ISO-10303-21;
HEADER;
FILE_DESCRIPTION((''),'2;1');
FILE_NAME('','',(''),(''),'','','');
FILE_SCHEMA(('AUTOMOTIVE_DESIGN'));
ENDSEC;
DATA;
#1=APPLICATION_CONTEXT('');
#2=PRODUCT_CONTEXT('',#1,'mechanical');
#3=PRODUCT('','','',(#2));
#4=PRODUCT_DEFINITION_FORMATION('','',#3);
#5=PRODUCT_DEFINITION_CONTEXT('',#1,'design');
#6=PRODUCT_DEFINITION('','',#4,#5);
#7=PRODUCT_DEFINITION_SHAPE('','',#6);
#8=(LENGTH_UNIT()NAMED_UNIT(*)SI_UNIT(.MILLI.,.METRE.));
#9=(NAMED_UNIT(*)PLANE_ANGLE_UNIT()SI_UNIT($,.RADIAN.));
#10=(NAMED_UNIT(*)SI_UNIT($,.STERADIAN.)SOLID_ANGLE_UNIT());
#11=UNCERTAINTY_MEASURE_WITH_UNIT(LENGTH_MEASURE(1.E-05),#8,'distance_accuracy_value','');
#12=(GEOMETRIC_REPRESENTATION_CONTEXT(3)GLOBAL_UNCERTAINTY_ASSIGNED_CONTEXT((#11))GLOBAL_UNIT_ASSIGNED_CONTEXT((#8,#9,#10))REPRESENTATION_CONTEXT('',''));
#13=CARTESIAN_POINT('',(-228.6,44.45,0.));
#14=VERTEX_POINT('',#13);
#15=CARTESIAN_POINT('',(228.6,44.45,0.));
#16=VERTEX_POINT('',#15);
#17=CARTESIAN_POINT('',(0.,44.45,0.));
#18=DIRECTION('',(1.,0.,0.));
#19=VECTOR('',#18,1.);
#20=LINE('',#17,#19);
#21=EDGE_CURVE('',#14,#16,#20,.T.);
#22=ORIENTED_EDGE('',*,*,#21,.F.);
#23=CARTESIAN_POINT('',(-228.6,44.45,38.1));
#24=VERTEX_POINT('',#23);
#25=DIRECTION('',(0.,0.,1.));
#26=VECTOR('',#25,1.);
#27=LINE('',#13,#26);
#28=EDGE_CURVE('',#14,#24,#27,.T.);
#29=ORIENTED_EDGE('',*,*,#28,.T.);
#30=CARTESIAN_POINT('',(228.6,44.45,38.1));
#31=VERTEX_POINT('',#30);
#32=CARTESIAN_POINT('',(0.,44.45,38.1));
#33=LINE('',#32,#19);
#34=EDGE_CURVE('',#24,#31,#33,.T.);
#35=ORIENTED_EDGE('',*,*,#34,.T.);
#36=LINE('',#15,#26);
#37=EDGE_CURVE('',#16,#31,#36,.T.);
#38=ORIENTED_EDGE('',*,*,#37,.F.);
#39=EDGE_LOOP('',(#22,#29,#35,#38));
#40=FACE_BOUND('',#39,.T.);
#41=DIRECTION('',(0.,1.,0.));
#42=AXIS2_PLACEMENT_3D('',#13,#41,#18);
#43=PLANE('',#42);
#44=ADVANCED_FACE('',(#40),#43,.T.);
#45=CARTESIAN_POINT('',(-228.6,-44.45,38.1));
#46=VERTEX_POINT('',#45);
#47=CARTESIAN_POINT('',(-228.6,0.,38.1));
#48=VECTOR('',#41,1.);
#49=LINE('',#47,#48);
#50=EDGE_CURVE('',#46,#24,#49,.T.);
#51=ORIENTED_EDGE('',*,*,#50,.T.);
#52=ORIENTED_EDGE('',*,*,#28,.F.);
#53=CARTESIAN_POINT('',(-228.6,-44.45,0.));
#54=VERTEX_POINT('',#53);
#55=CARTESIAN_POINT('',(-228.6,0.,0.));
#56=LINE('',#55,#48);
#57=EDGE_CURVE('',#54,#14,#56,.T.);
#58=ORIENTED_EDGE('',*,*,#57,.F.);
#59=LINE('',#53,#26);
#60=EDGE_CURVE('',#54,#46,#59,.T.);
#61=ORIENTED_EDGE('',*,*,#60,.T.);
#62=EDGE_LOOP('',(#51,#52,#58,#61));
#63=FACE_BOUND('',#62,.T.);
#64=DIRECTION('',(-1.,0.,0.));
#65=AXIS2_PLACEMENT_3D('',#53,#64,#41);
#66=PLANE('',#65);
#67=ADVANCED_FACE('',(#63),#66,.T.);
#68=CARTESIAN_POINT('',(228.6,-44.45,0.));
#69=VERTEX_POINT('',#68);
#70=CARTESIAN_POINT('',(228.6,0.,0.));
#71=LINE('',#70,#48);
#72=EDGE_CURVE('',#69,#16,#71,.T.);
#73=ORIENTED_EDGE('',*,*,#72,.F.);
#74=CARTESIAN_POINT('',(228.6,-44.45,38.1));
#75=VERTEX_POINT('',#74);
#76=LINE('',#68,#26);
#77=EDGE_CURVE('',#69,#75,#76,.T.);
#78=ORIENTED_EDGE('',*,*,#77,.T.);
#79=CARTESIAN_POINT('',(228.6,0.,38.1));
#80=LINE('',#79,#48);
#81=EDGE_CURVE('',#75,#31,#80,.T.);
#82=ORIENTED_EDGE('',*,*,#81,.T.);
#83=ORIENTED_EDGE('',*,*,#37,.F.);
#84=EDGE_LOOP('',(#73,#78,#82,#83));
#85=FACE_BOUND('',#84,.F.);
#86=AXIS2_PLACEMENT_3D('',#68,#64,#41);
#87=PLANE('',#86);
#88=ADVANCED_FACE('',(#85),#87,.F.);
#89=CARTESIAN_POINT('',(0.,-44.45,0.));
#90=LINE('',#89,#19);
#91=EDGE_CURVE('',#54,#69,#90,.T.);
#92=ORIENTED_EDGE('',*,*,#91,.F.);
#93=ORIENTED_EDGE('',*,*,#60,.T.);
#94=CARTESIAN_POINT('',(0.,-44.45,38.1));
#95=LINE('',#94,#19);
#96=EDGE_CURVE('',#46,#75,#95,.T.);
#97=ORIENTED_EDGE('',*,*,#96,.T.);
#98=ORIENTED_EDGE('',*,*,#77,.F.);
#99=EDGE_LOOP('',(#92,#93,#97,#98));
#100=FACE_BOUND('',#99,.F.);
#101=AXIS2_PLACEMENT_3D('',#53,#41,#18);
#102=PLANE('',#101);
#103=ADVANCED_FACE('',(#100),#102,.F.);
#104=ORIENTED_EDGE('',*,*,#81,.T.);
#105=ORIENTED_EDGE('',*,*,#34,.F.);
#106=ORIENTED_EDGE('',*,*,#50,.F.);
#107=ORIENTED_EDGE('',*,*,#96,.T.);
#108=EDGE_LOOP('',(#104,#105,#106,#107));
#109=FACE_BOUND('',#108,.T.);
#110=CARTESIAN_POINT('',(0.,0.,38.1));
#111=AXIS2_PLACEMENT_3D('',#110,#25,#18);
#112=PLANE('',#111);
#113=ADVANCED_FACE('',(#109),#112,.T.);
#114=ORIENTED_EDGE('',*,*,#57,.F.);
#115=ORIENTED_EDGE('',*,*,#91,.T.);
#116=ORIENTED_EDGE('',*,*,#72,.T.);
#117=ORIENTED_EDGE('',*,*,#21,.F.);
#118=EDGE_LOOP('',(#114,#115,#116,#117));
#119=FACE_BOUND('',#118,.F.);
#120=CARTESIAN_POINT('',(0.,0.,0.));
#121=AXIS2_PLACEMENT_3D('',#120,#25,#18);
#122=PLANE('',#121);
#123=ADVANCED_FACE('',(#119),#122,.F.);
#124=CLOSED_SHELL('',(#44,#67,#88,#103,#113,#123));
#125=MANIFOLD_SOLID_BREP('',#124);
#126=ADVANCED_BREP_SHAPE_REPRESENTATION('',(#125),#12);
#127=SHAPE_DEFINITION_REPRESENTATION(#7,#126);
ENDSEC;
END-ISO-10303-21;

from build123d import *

# Parameters (mm, degrees)
SKETCH1_W           = 457.2
SKETCH1_H           = 88.9
BOSS_EXTRUDE1_DEPTH = 38.1


with BuildPart() as part:
    # Sketch1 → Boss-Extrude1 (new body)
    with BuildSketch(Plane.XY):
        Rectangle(SKETCH1_W, SKETCH1_H)
    extrude(amount=BOSS_EXTRUDE1_DEPTH)


solid = part.part
